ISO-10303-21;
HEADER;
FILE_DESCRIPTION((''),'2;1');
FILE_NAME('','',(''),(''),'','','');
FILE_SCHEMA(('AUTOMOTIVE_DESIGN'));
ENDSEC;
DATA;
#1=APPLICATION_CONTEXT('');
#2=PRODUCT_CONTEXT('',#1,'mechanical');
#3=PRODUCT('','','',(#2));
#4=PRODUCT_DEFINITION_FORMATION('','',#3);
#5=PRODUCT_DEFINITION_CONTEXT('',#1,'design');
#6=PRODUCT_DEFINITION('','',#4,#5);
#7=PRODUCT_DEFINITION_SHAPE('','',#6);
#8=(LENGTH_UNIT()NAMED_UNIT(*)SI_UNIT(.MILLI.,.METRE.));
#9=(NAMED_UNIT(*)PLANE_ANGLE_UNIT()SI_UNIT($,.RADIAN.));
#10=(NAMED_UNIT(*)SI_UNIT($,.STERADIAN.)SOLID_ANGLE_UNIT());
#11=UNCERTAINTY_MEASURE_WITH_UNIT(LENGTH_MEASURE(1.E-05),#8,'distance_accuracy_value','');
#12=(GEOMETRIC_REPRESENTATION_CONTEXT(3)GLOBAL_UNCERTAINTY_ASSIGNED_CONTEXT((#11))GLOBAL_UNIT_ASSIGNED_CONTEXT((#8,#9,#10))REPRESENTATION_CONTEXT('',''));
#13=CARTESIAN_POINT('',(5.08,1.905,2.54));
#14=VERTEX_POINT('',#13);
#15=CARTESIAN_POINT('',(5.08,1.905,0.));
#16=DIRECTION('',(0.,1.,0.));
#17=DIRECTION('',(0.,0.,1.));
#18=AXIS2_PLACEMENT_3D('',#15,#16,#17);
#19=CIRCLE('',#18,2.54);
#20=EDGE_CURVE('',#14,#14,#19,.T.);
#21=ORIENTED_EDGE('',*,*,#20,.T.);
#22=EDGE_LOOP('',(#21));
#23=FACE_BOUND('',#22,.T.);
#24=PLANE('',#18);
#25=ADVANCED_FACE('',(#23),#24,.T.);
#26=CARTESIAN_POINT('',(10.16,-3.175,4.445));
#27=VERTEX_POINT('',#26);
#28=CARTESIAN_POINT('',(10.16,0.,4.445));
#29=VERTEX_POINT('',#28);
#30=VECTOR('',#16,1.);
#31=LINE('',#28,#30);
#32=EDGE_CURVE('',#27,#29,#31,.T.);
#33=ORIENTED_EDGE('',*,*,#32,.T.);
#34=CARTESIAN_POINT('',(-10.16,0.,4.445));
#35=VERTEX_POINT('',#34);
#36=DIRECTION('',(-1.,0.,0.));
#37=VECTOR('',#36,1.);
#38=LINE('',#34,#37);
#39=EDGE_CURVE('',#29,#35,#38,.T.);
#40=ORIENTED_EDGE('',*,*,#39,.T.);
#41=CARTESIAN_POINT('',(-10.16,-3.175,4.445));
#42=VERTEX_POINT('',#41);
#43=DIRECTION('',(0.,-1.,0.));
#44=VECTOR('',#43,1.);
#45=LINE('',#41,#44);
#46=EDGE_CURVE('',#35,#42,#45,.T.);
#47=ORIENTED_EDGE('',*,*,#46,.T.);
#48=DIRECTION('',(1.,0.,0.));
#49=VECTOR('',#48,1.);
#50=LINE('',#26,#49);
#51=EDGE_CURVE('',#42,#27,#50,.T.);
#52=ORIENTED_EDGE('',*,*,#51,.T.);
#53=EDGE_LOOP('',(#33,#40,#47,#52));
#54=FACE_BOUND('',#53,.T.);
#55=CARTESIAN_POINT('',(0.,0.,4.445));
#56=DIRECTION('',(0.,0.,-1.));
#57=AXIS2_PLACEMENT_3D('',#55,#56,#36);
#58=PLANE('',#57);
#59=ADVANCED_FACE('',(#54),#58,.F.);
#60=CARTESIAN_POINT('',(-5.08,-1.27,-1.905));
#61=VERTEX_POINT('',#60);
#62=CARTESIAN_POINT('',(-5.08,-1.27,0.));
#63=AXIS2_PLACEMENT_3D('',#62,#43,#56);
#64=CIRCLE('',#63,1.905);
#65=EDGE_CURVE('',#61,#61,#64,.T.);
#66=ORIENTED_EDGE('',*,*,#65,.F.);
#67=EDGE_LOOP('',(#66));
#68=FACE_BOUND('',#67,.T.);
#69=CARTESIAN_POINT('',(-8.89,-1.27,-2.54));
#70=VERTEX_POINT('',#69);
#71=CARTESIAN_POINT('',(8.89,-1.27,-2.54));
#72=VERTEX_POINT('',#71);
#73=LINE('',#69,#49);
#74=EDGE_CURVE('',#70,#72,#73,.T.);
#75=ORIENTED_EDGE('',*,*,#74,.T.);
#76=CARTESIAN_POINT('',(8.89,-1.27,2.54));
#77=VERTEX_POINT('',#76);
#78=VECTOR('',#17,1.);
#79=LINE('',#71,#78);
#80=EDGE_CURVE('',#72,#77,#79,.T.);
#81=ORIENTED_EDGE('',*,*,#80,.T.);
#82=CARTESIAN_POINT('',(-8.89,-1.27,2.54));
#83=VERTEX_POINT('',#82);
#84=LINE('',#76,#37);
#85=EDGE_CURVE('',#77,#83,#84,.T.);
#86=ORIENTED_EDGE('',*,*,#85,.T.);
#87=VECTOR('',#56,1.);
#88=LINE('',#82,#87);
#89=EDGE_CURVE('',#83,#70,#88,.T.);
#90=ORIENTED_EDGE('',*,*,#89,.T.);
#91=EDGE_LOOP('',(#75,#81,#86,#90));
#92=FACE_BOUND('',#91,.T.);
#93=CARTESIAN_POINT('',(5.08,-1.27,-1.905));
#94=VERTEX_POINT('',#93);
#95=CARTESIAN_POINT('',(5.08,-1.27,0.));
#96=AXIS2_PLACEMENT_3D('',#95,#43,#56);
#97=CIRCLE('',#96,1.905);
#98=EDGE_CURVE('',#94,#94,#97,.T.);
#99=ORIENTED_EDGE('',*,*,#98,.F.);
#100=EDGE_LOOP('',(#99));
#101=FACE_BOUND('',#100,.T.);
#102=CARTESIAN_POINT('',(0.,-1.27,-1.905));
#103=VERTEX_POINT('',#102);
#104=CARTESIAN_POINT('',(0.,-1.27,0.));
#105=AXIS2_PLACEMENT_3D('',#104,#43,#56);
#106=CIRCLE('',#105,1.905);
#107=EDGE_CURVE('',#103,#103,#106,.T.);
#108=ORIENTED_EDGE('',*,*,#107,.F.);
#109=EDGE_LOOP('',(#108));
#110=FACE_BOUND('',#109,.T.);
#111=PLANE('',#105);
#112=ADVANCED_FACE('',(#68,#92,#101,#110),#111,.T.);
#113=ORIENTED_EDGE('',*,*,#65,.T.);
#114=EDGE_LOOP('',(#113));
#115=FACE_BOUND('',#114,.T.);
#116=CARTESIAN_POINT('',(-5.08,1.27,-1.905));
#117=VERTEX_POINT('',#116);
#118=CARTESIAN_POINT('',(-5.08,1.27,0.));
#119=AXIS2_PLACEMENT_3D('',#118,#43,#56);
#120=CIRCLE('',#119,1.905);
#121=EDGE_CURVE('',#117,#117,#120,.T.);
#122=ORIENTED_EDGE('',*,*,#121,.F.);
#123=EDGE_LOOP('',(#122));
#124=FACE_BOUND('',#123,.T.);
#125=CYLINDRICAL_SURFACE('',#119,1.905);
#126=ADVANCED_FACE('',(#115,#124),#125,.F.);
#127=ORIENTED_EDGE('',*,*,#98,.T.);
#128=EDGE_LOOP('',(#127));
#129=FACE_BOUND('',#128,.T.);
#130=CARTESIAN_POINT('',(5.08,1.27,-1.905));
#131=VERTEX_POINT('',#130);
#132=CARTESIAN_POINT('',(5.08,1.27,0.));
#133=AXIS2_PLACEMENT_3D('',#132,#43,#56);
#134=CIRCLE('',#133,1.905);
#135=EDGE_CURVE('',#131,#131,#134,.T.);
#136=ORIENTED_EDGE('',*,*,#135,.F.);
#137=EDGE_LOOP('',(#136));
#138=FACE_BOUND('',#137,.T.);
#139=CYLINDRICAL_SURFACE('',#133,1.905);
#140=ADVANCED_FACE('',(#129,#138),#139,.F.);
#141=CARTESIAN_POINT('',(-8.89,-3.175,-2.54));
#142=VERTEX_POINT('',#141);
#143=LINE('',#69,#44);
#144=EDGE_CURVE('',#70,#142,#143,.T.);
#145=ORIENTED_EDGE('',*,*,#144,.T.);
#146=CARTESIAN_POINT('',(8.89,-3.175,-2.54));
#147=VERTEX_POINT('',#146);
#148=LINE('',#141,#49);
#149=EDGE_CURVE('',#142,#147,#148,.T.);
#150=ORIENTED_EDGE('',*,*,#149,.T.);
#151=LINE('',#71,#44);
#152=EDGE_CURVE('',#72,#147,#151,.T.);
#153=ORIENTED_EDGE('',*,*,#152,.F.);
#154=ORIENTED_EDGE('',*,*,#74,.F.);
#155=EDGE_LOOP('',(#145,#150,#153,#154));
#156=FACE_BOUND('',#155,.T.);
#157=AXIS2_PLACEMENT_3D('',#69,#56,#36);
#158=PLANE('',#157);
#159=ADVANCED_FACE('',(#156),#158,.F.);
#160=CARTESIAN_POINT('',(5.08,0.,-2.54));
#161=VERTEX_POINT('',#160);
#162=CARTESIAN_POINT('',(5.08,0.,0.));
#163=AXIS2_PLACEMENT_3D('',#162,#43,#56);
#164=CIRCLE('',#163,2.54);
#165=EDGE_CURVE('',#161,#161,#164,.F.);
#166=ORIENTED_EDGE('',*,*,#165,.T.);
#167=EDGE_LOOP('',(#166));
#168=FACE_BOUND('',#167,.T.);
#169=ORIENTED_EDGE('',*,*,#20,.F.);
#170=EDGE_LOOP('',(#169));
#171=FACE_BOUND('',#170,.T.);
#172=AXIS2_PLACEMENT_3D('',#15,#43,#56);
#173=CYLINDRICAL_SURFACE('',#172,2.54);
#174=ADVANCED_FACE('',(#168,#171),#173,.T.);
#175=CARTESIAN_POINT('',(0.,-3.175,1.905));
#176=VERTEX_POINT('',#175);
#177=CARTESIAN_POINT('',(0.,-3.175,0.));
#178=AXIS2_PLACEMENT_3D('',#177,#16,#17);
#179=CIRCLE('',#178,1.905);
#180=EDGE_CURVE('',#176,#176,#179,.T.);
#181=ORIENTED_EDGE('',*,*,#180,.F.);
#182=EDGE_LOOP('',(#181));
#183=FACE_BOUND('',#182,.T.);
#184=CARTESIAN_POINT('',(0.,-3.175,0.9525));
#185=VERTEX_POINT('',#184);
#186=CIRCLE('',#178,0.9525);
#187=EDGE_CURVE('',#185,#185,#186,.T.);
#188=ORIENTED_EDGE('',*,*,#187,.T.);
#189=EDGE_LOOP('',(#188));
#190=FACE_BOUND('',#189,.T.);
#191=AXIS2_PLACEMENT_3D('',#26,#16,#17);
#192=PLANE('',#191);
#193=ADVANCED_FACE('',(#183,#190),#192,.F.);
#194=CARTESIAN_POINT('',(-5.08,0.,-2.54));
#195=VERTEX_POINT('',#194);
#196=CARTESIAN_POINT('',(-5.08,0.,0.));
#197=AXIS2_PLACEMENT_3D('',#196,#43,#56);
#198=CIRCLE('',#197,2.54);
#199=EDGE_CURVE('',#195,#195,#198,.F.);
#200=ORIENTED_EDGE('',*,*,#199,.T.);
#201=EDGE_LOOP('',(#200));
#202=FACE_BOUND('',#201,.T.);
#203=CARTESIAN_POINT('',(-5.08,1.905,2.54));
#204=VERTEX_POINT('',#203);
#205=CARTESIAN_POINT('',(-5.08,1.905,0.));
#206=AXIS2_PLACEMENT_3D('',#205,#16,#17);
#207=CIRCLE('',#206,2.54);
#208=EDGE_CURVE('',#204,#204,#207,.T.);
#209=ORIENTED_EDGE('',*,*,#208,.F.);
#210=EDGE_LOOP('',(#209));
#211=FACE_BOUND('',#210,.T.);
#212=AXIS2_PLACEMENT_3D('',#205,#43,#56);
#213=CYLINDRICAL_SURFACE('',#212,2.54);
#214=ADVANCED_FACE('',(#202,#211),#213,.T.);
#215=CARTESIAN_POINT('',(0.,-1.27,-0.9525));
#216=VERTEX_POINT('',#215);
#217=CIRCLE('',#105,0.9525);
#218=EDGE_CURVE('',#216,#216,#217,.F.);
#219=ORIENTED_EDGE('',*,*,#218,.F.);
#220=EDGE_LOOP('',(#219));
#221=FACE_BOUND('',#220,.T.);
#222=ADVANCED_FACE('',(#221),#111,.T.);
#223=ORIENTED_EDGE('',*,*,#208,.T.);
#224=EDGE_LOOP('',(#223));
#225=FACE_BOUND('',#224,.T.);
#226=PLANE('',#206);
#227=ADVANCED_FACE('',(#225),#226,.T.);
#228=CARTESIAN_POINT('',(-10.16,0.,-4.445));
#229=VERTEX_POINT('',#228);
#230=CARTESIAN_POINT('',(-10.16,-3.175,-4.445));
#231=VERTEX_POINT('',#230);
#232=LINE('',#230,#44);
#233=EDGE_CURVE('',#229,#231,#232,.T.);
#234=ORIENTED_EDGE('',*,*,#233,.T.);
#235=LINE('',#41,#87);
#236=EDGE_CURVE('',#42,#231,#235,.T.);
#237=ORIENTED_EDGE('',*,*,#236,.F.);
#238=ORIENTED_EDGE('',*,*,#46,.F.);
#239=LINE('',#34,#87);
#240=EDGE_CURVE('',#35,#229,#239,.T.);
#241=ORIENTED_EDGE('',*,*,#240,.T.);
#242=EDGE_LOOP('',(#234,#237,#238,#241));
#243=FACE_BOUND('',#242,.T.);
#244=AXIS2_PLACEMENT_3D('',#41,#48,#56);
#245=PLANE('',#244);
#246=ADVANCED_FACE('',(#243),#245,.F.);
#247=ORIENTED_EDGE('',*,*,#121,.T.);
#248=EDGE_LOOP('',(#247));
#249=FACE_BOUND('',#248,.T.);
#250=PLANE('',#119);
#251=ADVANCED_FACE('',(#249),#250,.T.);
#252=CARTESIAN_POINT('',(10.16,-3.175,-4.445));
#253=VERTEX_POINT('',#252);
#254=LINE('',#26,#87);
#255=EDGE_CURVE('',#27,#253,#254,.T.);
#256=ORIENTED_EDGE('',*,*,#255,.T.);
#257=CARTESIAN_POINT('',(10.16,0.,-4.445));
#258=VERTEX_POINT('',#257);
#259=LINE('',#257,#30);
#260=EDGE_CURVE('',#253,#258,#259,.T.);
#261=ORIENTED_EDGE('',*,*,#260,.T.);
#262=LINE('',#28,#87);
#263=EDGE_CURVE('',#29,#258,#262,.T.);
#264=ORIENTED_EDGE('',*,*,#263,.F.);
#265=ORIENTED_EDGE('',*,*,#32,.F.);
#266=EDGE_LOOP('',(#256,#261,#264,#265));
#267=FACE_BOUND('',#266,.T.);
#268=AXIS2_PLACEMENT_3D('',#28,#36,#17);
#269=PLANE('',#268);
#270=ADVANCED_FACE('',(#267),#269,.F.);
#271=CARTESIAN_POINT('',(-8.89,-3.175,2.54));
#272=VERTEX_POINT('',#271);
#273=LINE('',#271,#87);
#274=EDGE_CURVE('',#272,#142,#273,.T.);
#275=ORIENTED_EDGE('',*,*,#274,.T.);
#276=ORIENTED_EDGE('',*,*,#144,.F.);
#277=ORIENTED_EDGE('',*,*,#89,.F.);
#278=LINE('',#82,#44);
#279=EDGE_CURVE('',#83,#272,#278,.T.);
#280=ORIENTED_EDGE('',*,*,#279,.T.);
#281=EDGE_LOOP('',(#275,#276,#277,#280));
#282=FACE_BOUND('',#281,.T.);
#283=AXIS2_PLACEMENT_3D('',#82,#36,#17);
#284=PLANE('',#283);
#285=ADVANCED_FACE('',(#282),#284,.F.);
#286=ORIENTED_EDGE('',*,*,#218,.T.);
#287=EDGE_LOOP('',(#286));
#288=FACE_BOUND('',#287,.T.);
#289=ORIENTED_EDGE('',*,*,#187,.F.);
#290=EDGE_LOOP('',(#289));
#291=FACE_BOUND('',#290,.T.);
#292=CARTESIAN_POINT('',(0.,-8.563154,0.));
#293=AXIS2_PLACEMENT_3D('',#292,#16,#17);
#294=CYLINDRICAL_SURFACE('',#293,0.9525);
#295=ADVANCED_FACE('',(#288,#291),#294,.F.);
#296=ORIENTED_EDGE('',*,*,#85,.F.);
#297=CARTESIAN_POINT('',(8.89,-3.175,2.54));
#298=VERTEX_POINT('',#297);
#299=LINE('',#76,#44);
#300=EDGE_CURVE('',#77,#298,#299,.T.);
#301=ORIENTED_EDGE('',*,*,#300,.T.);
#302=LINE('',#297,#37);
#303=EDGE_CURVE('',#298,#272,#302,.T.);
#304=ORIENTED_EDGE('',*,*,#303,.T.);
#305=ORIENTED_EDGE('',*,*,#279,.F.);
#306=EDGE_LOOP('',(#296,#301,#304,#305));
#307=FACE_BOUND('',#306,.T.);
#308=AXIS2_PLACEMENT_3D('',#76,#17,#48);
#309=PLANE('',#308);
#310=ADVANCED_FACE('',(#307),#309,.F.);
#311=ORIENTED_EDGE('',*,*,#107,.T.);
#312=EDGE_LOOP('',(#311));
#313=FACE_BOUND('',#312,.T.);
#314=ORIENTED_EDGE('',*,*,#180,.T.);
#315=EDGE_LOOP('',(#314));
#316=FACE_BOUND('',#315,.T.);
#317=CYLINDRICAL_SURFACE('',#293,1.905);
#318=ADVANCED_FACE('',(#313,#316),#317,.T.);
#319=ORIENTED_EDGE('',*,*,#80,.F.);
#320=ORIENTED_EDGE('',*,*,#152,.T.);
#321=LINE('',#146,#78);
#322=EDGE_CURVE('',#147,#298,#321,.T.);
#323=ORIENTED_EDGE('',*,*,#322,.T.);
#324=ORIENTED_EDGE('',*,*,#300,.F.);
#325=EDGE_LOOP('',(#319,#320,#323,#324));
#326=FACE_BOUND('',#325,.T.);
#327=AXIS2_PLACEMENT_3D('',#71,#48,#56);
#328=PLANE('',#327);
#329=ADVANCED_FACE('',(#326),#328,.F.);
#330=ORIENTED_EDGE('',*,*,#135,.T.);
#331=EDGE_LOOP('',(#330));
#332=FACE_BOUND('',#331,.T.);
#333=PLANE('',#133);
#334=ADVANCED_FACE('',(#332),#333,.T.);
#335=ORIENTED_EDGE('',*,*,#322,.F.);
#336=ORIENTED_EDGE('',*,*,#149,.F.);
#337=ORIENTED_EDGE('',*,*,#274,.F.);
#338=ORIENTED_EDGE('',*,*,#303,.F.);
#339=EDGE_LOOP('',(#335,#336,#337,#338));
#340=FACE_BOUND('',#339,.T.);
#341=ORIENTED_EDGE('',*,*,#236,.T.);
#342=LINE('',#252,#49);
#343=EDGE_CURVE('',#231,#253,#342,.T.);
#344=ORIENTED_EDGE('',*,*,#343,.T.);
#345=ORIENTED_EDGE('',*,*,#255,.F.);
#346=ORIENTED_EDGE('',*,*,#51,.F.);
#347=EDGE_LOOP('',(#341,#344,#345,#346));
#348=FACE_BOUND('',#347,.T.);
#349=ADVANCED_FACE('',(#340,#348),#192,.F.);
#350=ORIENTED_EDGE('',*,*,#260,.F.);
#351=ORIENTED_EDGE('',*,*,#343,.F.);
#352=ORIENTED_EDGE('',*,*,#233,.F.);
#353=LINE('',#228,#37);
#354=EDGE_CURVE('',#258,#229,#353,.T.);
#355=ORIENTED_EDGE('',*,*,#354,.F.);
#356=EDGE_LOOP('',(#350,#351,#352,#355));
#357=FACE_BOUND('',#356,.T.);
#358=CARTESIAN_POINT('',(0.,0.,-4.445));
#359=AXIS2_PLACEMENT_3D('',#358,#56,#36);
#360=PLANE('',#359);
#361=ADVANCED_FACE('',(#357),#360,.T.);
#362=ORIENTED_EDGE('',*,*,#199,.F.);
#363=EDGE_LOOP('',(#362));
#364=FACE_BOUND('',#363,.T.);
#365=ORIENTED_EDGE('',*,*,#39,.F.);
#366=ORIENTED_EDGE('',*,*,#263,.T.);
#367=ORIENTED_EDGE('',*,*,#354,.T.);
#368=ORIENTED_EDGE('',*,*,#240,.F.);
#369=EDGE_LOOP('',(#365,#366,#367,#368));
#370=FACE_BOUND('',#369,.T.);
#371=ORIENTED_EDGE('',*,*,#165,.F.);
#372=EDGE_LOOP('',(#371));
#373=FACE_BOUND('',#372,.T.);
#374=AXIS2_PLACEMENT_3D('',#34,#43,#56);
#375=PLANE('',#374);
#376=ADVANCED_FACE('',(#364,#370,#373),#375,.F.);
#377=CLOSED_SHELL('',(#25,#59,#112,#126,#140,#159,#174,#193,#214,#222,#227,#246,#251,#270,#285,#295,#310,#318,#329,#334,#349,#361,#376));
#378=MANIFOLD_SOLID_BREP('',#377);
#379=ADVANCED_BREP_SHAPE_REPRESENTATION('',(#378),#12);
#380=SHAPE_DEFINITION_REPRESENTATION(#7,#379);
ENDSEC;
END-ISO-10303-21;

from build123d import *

# Parameters (mm, degrees)
SKETCH1_W           = 20.32
SKETCH1_H           = 3.175
BOSS_EXTRUDE2_DEPTH = 4.445
SKETCH3_R           = 2.54
BOSS_EXTRUDE3_DEPTH = 1.905
SKETCH4_W           = 17.78
SKETCH4_H           = 5.08
CUT_EXTRUDE1_DEPTH  = 1.905
SKETCH5_R           = 1.905
CUT_EXTRUDE2_DEPTH  = 2.54
SKETCH6_R           = 1.905
SKETCH6_R_2         = 0.9525
BOSS_EXTRUDE4_DEPTH = 1.905


with BuildPart() as part:
    # Sketch1 → Boss-Extrude2 (new body, symmetric)
    with BuildSketch(Plane.XY):
        with Locations((0, -1.5875)):
            Rectangle(SKETCH1_W, SKETCH1_H)
    extrude(amount=BOSS_EXTRUDE2_DEPTH, both=True)

    # Sketch3 → Boss-Extrude3 (add)
    with BuildSketch(Plane(origin=(0, 0, 0), x_dir=(1, 0, 0), z_dir=(0, 1, 0))):
        with Locations((-5.08, 0)):
            Circle(SKETCH3_R)
        with Locations((5.08, 0)):
            Circle(SKETCH3_R)
    extrude(amount=BOSS_EXTRUDE3_DEPTH)

    # Sketch4 → Cut-Extrude1 (cut)
    with BuildSketch(Plane.XZ.offset(3.175)):
        Rectangle(SKETCH4_W, SKETCH4_H)
    extrude(amount=-CUT_EXTRUDE1_DEPTH, mode=Mode.SUBTRACT)

    # Sketch5 → Cut-Extrude2 (cut)
    with BuildSketch(Plane.XZ.offset(1.27)):
        with Locations((-5.08, 0)):
            Circle(SKETCH5_R)
        with Locations((5.08, 0)):
            Circle(SKETCH5_R)
    extrude(amount=-CUT_EXTRUDE2_DEPTH, mode=Mode.SUBTRACT)

    # Sketch6 → Boss-Extrude4 (add)
    with BuildSketch(Plane.XZ.offset(1.27)):
        Circle(SKETCH6_R)
        Circle(SKETCH6_R_2, mode=Mode.SUBTRACT)
    extrude(amount=BOSS_EXTRUDE4_DEPTH)


solid = part.part
